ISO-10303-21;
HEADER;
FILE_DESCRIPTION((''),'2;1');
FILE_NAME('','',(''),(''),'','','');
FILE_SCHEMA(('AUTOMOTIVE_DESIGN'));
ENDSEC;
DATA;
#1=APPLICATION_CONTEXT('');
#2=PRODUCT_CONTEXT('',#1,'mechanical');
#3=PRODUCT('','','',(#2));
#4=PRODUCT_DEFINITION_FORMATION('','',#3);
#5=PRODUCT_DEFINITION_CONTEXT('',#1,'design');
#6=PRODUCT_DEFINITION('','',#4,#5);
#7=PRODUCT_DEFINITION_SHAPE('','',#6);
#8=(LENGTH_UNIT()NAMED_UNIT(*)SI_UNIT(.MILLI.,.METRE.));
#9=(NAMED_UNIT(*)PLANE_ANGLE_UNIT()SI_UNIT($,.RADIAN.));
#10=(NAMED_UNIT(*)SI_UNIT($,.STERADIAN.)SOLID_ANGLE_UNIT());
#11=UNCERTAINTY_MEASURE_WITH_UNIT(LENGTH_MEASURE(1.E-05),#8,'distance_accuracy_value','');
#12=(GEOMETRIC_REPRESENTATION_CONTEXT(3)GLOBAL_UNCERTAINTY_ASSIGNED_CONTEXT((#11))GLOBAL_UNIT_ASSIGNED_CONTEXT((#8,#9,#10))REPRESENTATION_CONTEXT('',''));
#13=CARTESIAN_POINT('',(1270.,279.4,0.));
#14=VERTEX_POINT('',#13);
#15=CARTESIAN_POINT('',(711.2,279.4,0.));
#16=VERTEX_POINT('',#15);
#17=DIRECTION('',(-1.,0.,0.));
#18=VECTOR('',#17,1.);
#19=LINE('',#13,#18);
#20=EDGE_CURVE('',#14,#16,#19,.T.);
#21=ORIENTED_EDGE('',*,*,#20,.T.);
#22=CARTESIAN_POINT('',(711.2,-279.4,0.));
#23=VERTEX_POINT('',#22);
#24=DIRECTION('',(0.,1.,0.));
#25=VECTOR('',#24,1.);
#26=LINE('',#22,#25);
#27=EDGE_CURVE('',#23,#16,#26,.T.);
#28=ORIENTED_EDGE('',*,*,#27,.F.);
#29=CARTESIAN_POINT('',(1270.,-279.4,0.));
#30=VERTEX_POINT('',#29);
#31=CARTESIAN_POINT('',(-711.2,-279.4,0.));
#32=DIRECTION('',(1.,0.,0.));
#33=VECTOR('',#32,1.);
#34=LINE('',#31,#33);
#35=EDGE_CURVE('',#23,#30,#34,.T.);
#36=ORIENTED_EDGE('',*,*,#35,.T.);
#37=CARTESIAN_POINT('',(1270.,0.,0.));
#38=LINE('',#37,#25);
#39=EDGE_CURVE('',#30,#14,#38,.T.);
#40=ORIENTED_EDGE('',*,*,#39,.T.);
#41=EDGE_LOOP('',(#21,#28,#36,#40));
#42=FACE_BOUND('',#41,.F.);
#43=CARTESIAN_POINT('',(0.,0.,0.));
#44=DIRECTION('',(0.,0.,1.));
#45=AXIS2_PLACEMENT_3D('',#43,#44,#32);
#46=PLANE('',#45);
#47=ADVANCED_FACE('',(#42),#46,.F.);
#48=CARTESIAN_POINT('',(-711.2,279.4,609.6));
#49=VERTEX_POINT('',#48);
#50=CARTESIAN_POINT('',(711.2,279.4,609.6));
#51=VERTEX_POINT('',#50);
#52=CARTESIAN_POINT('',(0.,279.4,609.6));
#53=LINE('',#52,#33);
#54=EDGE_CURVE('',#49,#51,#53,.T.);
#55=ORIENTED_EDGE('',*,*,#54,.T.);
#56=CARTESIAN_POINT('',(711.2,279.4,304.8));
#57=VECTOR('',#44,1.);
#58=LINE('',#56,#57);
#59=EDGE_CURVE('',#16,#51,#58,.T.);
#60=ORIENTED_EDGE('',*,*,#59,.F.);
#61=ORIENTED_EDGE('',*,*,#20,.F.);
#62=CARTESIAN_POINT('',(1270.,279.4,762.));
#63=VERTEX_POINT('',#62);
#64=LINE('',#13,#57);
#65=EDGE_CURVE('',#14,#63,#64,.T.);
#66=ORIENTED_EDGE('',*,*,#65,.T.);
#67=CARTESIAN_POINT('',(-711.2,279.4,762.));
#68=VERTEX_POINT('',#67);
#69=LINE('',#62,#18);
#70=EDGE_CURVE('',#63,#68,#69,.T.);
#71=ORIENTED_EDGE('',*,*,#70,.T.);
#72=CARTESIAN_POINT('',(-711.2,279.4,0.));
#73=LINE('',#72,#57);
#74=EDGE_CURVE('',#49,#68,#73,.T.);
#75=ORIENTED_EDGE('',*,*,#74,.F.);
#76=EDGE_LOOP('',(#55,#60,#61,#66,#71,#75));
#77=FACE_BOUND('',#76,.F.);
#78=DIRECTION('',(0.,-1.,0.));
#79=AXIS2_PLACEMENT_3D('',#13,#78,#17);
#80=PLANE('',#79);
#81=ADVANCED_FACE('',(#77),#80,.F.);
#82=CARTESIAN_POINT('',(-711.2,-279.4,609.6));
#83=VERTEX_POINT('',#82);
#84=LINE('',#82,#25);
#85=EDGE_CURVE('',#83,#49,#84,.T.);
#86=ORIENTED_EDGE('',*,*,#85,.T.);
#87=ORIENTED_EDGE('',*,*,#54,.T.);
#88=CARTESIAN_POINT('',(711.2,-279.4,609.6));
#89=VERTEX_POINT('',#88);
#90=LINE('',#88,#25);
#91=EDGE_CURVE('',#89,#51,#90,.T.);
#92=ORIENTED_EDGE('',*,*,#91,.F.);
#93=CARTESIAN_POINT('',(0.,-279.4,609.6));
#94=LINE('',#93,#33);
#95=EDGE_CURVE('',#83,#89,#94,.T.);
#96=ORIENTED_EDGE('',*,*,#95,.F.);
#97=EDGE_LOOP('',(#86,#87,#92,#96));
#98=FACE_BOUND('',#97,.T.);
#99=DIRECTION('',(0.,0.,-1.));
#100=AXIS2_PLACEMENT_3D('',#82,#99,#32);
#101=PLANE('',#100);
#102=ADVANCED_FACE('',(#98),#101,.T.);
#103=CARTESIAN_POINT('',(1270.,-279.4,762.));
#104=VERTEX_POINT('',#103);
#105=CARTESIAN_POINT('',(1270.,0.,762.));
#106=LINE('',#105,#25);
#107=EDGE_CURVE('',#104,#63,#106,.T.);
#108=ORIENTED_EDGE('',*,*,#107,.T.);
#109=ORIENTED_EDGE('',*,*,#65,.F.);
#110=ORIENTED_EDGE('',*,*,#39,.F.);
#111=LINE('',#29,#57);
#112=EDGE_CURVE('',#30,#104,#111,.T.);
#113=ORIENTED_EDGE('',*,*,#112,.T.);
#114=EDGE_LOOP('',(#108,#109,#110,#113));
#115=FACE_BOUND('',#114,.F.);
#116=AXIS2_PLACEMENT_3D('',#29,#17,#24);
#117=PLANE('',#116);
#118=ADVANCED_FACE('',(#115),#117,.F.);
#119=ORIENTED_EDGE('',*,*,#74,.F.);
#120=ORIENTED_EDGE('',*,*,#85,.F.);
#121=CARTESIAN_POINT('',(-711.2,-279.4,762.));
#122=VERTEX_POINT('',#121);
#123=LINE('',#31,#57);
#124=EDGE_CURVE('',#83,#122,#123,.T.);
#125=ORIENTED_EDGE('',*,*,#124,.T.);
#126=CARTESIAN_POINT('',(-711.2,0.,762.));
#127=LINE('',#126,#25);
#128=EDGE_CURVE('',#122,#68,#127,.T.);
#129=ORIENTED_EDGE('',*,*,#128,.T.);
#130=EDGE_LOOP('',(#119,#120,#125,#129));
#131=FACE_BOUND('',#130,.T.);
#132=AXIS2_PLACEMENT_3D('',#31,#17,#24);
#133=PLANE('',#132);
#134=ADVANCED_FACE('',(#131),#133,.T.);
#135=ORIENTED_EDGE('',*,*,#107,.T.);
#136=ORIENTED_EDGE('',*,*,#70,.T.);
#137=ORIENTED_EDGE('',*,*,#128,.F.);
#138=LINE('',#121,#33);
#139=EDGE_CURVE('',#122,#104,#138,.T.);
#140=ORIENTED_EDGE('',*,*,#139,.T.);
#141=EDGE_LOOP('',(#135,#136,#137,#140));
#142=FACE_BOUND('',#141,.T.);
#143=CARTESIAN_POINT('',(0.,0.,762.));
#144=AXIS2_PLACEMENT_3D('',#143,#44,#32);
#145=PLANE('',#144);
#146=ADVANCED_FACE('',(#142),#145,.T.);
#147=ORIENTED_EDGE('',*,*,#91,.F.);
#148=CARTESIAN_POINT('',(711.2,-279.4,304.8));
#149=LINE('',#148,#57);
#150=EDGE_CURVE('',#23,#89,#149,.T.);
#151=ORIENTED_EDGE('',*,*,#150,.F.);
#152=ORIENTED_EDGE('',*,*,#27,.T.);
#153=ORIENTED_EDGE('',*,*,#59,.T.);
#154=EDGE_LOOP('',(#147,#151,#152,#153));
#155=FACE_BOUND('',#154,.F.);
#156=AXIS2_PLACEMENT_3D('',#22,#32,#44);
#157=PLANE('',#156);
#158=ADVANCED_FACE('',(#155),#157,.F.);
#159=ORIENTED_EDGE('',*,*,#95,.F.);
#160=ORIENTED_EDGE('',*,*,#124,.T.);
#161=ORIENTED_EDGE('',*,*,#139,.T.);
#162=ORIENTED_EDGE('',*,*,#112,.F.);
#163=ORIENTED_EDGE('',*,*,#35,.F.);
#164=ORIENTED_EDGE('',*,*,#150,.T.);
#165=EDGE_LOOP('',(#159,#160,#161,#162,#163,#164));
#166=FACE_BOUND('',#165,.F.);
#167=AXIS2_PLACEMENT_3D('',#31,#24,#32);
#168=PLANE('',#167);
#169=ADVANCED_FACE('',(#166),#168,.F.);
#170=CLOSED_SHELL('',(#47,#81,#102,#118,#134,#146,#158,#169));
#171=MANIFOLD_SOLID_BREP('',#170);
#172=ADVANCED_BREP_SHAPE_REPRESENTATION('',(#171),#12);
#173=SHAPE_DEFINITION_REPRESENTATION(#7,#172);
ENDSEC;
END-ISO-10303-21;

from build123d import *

# Parameters (mm, degrees)
F0_W     = 1422.4
F0_H     = 558.8
F0_W_2   = 558.8
F1_DEPTH = 762
F2_W     = 1422.4
F2_H     = 609.6
F3_DEPTH = 558.8


with BuildPart() as f1:
    # F0 (on Top) → F1 (new body)
    with BuildSketch(Plane.XY):
        Rectangle(F0_W, F0_H)
        with Locations((990.6, 0)):
            Rectangle(F0_W_2, F0_H)
    extrude(amount=F1_DEPTH)

    # F2 (on face) → F3 (cut)
    with BuildSketch(Plane.XZ.offset(279.4)):
        with Locations((0, 304.8)):
            Rectangle(F2_W, F2_H)
    extrude(amount=-F3_DEPTH, mode=Mode.SUBTRACT)


solid = f1.part
